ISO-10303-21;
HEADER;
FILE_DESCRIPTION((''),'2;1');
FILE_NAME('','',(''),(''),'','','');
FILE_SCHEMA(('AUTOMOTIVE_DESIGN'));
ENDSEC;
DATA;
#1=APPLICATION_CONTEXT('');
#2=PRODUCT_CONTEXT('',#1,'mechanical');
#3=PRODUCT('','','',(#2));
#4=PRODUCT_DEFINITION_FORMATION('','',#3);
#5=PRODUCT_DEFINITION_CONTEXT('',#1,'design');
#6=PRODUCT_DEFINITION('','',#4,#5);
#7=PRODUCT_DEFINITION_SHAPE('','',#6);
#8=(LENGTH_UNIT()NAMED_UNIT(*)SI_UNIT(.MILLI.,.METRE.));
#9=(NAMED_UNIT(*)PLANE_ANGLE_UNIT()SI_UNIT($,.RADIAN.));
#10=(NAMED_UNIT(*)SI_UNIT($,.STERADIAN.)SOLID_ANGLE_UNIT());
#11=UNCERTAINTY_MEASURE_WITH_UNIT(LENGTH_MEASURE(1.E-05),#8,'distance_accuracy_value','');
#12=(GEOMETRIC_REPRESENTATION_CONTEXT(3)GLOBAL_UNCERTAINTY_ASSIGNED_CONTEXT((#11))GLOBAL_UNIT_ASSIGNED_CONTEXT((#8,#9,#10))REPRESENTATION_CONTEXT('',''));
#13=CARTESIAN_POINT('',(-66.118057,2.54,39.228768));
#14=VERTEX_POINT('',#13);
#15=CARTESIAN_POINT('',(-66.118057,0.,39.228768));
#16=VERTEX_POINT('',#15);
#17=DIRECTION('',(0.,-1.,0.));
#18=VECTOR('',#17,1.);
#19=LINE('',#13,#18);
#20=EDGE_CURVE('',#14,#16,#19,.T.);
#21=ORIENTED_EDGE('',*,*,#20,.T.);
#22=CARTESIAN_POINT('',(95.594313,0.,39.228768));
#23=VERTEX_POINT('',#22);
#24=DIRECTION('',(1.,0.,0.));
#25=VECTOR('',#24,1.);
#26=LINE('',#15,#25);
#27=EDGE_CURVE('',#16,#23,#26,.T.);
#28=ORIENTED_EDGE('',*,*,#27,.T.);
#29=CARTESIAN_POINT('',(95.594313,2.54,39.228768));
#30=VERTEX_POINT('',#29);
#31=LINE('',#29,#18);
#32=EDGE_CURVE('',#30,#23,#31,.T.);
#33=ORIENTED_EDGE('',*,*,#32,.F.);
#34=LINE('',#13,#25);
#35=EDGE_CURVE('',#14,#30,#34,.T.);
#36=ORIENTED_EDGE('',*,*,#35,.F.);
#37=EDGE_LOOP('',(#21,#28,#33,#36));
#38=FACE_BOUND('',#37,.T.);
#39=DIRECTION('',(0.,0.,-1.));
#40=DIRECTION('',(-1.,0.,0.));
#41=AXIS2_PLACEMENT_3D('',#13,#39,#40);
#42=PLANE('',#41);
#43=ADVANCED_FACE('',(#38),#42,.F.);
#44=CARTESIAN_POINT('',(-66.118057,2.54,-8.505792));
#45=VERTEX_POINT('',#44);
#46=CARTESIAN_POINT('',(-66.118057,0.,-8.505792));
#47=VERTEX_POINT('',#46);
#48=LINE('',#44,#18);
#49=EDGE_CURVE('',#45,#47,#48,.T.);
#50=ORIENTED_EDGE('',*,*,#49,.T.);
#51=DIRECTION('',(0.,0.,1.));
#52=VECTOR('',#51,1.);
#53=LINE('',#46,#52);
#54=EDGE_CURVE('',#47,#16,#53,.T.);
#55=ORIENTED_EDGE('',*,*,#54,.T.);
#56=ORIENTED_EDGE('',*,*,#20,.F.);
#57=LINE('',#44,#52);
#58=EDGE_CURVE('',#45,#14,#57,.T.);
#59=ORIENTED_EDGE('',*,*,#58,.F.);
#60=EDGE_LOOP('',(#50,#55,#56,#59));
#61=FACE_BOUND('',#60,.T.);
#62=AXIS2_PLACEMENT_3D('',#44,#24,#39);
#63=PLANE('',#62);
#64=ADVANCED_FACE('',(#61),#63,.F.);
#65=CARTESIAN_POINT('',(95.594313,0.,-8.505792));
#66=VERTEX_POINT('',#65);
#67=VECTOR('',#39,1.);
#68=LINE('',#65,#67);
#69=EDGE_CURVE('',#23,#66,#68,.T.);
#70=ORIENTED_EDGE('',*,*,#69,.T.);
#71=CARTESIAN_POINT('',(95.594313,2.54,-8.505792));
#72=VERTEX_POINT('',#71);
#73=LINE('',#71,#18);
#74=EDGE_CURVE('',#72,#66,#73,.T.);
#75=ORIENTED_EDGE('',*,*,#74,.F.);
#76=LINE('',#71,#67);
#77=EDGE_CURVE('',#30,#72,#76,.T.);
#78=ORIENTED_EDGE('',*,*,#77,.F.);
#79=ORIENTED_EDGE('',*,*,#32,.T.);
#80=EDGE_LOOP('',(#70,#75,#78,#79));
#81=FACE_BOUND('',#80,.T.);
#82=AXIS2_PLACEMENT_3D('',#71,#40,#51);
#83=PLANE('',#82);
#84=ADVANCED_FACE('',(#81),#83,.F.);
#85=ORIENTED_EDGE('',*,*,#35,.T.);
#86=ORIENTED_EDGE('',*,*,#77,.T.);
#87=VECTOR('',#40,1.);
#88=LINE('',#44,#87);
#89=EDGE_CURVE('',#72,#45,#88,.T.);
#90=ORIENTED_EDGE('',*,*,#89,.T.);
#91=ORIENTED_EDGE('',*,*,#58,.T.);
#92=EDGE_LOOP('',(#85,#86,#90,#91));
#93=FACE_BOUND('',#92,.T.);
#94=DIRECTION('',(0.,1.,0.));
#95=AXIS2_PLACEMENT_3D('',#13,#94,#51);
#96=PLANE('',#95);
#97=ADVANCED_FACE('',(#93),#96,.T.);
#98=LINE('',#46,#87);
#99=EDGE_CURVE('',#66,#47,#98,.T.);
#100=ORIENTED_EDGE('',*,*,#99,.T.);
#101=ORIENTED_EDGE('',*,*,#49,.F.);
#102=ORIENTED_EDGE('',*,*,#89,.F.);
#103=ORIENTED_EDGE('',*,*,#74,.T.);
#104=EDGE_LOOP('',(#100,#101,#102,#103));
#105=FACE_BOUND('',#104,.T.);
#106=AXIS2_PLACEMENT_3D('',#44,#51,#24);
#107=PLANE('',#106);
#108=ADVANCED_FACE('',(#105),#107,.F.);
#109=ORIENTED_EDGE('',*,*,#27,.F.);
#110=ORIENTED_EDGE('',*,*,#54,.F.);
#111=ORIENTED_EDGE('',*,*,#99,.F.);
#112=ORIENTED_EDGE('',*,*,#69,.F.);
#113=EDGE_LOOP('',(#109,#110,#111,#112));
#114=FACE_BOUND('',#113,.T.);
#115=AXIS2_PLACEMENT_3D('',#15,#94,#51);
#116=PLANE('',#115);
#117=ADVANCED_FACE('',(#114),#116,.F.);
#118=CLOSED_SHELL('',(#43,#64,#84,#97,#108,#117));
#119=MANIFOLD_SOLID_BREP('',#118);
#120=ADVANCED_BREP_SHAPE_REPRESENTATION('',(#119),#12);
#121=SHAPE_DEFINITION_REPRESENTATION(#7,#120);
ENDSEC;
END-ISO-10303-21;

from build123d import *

# Parameters (mm, degrees)
SKETCH1_W      = 161.712369322
SKETCH1_H      = 47.734559901
EXTRUDE1_DEPTH = 2.54


with BuildPart() as part:
    # Sketch1 → Extrude1 (new body)
    with BuildSketch(Plane(origin=(0, 0, 0), x_dir=(1, 0, 0), z_dir=(0, 1, 0))):
        with Locations((14.738127986, -15.361487658)):
            Rectangle(SKETCH1_W, SKETCH1_H)
    extrude(amount=EXTRUDE1_DEPTH)


solid = part.part
